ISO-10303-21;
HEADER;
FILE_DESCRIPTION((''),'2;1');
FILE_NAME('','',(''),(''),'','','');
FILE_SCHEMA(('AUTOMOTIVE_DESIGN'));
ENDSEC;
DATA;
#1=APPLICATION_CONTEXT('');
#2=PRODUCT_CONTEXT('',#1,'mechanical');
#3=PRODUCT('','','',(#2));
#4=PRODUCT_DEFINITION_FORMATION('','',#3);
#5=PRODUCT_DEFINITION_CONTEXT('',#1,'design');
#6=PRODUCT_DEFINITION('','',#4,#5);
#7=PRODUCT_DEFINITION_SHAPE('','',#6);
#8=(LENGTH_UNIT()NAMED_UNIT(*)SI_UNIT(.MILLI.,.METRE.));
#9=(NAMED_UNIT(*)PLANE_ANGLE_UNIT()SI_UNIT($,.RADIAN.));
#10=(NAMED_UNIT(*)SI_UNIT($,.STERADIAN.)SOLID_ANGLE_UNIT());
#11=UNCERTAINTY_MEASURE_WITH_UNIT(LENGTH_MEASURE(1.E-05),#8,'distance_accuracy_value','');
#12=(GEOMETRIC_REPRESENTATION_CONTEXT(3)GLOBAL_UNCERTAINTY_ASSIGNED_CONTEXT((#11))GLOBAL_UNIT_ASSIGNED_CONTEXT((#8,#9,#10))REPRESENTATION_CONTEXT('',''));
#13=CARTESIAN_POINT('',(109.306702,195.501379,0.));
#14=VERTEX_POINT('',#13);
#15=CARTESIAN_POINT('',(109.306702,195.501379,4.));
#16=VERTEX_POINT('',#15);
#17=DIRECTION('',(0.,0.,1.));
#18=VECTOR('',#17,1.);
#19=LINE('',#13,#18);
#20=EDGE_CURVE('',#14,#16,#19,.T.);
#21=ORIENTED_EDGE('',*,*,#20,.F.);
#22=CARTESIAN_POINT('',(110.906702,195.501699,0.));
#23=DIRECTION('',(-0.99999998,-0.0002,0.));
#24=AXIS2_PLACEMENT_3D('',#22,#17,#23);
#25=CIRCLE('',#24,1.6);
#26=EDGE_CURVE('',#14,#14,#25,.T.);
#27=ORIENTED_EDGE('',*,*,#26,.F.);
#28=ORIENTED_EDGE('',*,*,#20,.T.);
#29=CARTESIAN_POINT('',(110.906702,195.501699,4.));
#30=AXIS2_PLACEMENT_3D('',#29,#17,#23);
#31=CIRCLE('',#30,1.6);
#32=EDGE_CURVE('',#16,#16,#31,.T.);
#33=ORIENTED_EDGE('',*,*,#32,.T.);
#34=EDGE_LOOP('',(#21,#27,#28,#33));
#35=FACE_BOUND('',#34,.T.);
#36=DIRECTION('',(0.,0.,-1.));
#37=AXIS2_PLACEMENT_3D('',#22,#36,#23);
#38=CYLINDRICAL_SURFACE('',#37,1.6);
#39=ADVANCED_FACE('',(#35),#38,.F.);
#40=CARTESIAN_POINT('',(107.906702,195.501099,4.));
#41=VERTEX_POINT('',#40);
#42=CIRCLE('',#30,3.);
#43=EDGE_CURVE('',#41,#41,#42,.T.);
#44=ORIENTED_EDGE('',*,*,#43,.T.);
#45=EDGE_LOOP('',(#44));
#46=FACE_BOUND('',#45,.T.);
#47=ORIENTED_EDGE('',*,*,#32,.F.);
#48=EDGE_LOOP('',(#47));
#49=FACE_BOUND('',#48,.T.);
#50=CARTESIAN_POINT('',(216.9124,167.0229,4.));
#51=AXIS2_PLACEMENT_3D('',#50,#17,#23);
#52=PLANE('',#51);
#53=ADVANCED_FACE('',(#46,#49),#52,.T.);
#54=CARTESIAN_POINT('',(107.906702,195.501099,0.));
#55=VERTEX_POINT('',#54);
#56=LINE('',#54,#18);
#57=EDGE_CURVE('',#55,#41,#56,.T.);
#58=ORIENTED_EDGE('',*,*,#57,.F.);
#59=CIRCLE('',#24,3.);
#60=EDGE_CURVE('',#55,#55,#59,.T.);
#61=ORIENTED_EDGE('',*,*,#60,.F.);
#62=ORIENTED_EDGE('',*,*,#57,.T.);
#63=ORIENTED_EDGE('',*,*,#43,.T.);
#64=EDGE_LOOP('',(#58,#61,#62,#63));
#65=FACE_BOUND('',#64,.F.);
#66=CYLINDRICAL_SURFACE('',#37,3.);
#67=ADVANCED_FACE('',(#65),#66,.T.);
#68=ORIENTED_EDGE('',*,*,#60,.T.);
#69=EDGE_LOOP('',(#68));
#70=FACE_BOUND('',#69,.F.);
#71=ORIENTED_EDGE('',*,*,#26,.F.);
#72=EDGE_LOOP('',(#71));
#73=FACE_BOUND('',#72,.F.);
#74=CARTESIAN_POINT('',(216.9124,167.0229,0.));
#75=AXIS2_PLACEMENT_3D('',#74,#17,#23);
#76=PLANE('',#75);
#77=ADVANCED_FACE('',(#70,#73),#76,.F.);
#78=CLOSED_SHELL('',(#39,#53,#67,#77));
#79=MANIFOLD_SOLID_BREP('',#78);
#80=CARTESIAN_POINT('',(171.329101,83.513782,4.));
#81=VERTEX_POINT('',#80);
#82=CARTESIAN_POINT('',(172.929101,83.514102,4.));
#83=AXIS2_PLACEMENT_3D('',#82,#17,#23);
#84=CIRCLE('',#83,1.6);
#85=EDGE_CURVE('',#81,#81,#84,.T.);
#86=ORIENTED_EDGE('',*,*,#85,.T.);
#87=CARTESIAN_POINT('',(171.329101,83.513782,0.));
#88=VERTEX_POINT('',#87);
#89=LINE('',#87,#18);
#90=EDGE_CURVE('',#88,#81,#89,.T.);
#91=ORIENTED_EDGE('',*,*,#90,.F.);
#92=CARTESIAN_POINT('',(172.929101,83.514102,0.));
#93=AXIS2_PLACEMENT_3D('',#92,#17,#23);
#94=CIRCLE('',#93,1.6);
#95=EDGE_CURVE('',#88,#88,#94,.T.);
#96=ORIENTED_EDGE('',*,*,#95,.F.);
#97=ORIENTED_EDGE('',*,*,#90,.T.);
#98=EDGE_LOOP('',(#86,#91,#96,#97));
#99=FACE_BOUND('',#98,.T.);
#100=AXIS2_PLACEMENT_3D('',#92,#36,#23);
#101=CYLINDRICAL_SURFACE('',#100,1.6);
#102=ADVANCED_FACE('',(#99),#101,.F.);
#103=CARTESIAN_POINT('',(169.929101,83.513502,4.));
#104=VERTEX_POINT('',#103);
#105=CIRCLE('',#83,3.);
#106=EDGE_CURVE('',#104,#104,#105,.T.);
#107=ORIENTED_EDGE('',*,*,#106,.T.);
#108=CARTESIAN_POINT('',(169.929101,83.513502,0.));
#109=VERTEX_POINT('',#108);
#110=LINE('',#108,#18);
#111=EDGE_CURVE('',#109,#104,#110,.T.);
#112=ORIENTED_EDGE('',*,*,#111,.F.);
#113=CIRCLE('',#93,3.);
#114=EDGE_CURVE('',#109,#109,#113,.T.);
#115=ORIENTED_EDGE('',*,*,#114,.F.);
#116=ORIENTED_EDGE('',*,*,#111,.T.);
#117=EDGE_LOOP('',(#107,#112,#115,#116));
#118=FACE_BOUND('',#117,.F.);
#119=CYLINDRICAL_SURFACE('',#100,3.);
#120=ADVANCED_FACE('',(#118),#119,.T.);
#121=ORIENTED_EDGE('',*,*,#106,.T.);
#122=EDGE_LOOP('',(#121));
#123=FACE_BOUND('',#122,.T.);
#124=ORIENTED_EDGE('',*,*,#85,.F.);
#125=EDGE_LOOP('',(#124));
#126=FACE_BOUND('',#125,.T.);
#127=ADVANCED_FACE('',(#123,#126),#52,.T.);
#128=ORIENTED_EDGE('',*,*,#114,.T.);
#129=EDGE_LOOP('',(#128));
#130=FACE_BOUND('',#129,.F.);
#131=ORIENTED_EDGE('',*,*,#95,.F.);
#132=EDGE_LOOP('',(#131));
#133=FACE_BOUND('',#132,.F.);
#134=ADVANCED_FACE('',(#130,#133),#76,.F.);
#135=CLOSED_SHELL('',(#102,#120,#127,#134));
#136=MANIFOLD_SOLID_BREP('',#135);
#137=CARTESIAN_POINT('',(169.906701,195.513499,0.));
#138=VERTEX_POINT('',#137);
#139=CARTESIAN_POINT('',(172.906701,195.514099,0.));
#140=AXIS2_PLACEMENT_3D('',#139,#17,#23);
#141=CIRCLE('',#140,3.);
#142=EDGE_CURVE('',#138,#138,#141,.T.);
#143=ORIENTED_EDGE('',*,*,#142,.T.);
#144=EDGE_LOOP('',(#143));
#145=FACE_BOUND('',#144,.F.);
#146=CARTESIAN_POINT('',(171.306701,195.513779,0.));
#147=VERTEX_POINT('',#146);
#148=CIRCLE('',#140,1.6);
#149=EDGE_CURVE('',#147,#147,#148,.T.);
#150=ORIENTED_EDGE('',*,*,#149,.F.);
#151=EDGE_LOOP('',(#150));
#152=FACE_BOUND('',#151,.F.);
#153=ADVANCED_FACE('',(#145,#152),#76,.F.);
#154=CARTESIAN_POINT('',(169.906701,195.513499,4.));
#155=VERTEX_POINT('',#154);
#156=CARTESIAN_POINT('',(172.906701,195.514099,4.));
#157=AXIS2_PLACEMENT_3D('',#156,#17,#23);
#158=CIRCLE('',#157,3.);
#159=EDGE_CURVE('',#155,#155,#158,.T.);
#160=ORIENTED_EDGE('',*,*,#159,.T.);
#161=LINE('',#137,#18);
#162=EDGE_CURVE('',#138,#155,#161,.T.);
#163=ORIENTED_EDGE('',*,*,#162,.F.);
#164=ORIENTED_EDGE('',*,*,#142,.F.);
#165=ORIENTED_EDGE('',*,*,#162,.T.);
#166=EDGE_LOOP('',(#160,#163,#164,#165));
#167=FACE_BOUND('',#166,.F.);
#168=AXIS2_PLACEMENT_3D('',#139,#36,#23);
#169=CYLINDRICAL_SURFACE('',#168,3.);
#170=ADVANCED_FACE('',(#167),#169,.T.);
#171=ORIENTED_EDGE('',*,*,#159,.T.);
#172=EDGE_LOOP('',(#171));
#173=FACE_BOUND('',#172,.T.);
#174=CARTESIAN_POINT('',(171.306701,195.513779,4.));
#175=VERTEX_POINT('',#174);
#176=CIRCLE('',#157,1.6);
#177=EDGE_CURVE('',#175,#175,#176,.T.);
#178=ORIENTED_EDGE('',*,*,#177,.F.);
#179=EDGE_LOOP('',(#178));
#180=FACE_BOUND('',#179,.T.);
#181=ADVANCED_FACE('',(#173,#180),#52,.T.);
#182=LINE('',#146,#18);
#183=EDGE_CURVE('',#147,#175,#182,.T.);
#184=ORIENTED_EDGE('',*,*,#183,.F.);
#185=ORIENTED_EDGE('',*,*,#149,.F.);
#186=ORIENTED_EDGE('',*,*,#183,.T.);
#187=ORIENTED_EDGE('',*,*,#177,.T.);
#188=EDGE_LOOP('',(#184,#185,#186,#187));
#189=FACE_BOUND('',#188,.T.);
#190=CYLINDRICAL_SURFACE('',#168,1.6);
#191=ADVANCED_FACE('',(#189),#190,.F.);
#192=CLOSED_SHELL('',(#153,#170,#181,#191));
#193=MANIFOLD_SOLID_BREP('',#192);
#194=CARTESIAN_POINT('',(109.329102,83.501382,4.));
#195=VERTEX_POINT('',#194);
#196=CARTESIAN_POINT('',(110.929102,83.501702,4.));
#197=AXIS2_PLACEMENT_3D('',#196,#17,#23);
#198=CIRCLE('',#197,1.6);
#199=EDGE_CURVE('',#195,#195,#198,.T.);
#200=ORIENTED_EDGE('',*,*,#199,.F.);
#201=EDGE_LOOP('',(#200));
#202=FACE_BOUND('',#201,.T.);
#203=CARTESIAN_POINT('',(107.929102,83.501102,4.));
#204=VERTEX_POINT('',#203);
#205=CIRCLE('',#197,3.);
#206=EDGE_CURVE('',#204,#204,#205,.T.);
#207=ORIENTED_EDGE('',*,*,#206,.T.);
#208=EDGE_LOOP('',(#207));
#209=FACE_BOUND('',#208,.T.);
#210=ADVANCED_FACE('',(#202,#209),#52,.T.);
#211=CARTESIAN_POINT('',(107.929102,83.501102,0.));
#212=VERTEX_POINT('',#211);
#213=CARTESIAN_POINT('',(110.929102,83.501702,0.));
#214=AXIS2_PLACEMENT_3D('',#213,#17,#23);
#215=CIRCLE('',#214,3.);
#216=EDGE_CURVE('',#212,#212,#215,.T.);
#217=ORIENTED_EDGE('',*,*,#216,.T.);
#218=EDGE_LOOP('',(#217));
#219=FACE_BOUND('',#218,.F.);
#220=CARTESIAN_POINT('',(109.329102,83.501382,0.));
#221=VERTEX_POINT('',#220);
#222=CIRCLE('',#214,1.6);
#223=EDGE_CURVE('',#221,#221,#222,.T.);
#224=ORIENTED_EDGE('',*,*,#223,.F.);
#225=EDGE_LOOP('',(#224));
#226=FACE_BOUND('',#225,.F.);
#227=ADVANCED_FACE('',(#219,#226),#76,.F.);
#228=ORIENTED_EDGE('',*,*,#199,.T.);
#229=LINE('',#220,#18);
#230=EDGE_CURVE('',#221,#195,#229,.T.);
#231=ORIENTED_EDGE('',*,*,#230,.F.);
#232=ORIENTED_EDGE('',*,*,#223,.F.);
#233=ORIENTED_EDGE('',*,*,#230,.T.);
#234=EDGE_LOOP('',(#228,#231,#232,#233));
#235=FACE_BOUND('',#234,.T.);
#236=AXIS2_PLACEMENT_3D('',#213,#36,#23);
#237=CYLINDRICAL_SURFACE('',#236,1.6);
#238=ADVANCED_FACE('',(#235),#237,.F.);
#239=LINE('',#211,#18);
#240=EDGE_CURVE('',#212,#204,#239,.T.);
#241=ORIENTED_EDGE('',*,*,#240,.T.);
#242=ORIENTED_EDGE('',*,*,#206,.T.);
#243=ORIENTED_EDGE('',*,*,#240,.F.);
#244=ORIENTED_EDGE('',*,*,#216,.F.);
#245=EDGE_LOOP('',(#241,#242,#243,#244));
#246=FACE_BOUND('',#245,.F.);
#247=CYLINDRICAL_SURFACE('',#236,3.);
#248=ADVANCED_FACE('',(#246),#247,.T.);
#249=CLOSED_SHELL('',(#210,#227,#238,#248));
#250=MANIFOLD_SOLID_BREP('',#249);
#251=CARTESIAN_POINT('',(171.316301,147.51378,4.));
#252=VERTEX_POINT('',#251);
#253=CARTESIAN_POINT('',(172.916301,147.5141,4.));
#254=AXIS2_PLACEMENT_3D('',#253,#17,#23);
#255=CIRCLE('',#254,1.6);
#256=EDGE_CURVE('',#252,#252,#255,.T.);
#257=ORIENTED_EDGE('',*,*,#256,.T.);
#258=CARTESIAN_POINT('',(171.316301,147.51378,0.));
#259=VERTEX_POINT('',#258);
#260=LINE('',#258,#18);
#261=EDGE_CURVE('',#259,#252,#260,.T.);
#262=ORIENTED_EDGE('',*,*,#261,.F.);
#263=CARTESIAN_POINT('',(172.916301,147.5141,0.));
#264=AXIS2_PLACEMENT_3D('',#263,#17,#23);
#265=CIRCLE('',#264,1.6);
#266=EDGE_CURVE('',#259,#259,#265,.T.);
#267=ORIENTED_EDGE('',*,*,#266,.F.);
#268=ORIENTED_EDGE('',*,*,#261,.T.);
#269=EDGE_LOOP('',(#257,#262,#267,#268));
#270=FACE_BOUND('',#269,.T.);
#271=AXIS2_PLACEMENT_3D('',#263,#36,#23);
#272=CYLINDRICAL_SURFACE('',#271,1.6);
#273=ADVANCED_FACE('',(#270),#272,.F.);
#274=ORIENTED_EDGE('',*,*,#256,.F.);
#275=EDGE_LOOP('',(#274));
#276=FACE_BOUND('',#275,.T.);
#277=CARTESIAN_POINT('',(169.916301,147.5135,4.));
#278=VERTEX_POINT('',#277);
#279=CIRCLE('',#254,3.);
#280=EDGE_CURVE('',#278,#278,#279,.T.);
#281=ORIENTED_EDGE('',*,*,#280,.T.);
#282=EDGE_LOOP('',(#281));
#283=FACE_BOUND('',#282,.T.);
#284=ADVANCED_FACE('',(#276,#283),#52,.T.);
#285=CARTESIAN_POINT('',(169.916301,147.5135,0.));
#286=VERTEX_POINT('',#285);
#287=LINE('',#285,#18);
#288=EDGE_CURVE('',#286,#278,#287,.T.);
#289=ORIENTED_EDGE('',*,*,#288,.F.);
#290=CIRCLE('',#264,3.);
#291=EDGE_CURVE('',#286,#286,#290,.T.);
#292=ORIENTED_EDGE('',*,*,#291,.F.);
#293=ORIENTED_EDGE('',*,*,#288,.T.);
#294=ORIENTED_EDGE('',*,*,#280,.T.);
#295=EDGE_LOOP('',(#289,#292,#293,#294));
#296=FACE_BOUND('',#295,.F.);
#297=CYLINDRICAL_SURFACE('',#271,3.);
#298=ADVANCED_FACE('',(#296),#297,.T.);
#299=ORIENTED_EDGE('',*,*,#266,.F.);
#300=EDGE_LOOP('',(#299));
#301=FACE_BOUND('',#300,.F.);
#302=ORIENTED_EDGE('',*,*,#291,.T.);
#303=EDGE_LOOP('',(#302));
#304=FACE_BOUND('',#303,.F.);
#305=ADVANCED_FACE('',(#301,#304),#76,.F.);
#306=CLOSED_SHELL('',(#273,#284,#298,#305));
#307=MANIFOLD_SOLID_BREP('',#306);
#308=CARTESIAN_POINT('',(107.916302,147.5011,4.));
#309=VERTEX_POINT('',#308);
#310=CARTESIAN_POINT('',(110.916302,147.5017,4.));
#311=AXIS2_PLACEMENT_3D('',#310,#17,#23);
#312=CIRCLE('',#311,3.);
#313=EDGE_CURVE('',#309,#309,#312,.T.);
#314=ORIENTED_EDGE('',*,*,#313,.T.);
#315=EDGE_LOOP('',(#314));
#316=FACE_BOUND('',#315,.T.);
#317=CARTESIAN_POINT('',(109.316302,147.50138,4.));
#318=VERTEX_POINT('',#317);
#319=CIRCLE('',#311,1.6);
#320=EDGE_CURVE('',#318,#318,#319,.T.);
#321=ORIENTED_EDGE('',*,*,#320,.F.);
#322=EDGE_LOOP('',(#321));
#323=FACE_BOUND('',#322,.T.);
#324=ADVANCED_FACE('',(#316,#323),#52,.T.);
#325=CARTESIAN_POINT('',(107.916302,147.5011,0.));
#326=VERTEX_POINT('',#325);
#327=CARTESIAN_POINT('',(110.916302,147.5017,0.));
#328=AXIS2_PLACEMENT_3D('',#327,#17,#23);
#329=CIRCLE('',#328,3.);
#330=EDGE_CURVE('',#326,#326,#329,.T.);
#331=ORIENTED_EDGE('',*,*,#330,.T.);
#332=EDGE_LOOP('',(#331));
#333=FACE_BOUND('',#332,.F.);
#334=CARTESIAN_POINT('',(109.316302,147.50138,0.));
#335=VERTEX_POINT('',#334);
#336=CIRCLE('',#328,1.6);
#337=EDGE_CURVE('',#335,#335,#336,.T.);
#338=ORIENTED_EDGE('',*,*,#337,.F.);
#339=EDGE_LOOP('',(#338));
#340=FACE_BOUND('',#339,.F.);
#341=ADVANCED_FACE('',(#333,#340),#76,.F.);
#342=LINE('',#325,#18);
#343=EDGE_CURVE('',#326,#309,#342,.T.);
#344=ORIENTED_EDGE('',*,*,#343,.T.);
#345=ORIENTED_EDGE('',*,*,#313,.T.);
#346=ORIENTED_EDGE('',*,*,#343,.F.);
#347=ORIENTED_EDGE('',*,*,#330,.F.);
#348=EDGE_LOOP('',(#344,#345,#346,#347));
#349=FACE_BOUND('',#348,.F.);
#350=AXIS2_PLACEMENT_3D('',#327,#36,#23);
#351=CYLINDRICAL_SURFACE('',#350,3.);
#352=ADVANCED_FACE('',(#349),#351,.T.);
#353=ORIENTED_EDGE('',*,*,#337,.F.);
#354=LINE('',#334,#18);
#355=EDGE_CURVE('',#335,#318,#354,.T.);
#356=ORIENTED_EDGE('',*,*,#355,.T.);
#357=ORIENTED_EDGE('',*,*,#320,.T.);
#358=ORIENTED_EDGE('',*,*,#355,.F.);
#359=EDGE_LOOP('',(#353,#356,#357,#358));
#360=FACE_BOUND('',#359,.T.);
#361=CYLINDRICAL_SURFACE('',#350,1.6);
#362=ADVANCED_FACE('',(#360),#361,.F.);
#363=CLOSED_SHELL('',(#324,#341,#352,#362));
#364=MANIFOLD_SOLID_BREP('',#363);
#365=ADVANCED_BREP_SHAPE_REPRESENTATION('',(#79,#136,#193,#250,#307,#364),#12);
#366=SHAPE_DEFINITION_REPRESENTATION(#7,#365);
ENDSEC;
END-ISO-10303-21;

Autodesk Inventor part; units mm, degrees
ref_plane "YZ Plane" through (0, 0, 0) normal (1, 0, 0) x (0, 1, 0)
ref_plane "XZ Plane" through (0, 0, 0) normal (0, 1, 0) x (-1, 0, 0)
ref_plane "XY Plane" through (0, 0, 0) normal (0, 0, 1) x (1, 0, 0)
ref_plane "РабПлоскость1" through (216.9124, 167.0229, 0) normal (0, 0, 1) x (-1, -0.0002, 0)
sketch "Эскиз1" plane through (216.9124, 167.0229, 0) normal (0, 0, 1) x (-1, -0.0002, 0)
  circle A0 centre (106, 83.5) radius 1.6 projected
  circle A1 centre (44, 83.5) radius 1.6 projected
  circle A2 centre (44, 19.5) radius 1.6 projected
  circle A3 centre (106, 19.5) radius 1.6 projected
  circle A4 centre (106, -28.5) radius 1.6 projected
  circle A5 centre (44, -28.5) radius 1.6 projected
  circle A6 centre (106, -28.5) radius 3
  circle A7 centre (44, -28.5) radius 3
  circle A8 centre (106, 19.5) radius 3
  circle A9 centre (44, 19.5) radius 3
  circle A10 centre (44, 83.5) radius 3
  circle A11 centre (106, 83.5) radius 3
  point P0 (216.9474, 166.9774)
  dimension "d0" = 6
  dimension "d1" = 6
extrude "Выдавливание1" add sketch "Эскиз1" along normal blind 4
properties part number "проставка платы"
